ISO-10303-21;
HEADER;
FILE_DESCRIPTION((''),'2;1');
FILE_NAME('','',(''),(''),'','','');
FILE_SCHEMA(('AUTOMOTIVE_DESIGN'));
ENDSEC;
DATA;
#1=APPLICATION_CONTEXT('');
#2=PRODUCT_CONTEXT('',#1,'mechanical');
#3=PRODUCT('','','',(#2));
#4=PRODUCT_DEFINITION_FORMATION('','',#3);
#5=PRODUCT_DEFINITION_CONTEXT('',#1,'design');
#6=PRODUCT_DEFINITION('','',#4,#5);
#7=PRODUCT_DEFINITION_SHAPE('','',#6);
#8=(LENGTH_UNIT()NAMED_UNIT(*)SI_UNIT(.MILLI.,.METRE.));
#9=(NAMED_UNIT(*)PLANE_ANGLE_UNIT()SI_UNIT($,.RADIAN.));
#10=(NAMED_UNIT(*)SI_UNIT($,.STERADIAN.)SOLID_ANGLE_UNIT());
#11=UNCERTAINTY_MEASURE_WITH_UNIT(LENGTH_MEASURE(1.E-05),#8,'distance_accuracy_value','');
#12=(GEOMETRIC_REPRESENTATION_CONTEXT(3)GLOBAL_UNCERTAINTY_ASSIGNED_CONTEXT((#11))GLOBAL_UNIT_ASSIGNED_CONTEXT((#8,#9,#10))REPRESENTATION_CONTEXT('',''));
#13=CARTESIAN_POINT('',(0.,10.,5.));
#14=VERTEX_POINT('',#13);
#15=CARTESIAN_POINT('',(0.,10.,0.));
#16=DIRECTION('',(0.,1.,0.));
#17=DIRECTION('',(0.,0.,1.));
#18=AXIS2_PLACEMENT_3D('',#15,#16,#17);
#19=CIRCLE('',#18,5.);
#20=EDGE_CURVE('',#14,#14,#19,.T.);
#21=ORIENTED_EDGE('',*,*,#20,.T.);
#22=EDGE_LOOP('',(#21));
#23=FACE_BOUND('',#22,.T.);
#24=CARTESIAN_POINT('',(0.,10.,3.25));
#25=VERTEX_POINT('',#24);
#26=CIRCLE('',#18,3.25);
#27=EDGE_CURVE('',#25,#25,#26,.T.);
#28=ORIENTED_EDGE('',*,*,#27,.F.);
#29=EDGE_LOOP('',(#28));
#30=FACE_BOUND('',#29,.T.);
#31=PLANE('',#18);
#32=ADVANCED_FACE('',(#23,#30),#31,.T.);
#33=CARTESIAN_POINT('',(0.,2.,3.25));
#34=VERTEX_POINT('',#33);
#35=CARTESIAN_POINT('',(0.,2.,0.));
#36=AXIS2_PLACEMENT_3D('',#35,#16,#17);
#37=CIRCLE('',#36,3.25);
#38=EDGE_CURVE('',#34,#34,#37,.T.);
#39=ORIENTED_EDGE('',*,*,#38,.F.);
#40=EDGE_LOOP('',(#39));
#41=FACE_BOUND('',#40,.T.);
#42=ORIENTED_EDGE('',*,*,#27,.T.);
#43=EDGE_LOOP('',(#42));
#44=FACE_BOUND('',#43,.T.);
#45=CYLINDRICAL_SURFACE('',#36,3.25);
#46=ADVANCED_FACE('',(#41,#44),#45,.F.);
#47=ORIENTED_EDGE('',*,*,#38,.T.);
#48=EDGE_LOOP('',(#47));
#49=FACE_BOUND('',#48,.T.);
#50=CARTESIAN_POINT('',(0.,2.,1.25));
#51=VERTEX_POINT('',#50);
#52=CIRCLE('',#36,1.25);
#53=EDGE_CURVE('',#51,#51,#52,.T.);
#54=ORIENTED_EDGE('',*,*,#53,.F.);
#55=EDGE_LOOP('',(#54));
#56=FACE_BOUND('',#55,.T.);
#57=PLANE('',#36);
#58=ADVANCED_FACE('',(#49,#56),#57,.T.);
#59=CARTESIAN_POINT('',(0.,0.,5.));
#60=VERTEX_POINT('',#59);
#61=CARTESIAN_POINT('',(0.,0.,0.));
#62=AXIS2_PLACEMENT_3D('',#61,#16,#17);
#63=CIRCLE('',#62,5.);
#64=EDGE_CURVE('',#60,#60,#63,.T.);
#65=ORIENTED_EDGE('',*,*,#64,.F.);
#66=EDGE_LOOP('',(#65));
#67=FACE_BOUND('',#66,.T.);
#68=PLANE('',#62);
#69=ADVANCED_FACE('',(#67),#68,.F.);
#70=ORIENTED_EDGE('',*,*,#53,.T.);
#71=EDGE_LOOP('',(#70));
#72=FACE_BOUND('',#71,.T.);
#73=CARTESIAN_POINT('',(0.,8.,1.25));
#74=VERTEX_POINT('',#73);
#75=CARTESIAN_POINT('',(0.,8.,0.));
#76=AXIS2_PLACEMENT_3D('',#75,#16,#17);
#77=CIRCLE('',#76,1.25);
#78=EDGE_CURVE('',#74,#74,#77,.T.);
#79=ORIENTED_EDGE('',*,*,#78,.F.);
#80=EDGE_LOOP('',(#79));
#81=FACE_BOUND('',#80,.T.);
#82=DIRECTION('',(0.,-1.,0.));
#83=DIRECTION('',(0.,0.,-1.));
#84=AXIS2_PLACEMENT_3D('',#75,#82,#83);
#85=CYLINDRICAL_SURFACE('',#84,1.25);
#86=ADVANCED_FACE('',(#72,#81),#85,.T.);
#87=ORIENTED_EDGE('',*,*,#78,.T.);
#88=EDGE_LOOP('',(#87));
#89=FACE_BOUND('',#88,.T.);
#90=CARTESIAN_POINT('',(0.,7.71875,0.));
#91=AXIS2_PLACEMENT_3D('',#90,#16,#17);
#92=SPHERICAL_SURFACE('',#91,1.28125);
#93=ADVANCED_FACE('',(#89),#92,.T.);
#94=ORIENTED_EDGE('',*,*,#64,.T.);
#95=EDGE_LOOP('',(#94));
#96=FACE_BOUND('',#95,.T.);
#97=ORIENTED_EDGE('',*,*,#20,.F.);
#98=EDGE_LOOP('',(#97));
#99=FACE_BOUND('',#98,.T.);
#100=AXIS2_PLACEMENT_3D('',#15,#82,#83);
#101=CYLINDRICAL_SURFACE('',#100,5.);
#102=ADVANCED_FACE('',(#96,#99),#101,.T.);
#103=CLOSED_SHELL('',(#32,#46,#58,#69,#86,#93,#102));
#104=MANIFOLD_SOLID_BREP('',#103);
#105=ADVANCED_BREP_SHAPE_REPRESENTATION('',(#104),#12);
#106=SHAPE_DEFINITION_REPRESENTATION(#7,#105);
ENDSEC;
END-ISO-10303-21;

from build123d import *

# Parameters (mm, degrees)
SKETCH1_R           = 5
BOSS_EXTRUDE1_DEPTH = 10
SKETCH2_R           = 3.25
CUT_EXTRUDE1_DEPTH  = 8
SKETCH3_R           = 1.25
BOSS_EXTRUDE2_DEPTH = 6
DOME1_FACE_RADIUS   = 1.25
DOME1_HEIGHT        = 1


with BuildPart() as part:
    # Sketch1 → Boss-Extrude1 (new body)
    with BuildSketch(Plane(origin=(0, 0, 0), x_dir=(1, 0, 0), z_dir=(0, 1, 0))):
        Circle(SKETCH1_R)
    extrude(amount=BOSS_EXTRUDE1_DEPTH)

    # Sketch2 → Cut-Extrude1 (cut)
    with BuildSketch(Plane(origin=(0, 10, 0), x_dir=(1, 0, 0), z_dir=(0, 1, 0))):
        Circle(SKETCH2_R)
    extrude(amount=-CUT_EXTRUDE1_DEPTH, mode=Mode.SUBTRACT)

    # Sketch3 → Boss-Extrude2 (add)
    with BuildSketch(Plane(origin=(0, 2, 0), x_dir=(1, 0, 0), z_dir=(0, 1, 0))):
        Circle(SKETCH3_R)
    extrude(amount=BOSS_EXTRUDE2_DEPTH)

    # Dome1: a dome of height H over a round flat face of radius A is a cap of a sphere of radius (A * A + H * H) / (2 * H)
    dome1_r = (DOME1_FACE_RADIUS * DOME1_FACE_RADIUS + DOME1_HEIGHT * DOME1_HEIGHT) / (2 * DOME1_HEIGHT)
    dome1_base = Plane((0, 8, 0), z_dir=(0, 1, 0))
    with Locations(dome1_base.offset(DOME1_HEIGHT - dome1_r)):
        dome1_ball = Sphere(dome1_r, mode=Mode.PRIVATE)
    add(split(dome1_ball, bisect_by=dome1_base, keep=Keep.TOP, mode=Mode.PRIVATE))


solid = part.part
